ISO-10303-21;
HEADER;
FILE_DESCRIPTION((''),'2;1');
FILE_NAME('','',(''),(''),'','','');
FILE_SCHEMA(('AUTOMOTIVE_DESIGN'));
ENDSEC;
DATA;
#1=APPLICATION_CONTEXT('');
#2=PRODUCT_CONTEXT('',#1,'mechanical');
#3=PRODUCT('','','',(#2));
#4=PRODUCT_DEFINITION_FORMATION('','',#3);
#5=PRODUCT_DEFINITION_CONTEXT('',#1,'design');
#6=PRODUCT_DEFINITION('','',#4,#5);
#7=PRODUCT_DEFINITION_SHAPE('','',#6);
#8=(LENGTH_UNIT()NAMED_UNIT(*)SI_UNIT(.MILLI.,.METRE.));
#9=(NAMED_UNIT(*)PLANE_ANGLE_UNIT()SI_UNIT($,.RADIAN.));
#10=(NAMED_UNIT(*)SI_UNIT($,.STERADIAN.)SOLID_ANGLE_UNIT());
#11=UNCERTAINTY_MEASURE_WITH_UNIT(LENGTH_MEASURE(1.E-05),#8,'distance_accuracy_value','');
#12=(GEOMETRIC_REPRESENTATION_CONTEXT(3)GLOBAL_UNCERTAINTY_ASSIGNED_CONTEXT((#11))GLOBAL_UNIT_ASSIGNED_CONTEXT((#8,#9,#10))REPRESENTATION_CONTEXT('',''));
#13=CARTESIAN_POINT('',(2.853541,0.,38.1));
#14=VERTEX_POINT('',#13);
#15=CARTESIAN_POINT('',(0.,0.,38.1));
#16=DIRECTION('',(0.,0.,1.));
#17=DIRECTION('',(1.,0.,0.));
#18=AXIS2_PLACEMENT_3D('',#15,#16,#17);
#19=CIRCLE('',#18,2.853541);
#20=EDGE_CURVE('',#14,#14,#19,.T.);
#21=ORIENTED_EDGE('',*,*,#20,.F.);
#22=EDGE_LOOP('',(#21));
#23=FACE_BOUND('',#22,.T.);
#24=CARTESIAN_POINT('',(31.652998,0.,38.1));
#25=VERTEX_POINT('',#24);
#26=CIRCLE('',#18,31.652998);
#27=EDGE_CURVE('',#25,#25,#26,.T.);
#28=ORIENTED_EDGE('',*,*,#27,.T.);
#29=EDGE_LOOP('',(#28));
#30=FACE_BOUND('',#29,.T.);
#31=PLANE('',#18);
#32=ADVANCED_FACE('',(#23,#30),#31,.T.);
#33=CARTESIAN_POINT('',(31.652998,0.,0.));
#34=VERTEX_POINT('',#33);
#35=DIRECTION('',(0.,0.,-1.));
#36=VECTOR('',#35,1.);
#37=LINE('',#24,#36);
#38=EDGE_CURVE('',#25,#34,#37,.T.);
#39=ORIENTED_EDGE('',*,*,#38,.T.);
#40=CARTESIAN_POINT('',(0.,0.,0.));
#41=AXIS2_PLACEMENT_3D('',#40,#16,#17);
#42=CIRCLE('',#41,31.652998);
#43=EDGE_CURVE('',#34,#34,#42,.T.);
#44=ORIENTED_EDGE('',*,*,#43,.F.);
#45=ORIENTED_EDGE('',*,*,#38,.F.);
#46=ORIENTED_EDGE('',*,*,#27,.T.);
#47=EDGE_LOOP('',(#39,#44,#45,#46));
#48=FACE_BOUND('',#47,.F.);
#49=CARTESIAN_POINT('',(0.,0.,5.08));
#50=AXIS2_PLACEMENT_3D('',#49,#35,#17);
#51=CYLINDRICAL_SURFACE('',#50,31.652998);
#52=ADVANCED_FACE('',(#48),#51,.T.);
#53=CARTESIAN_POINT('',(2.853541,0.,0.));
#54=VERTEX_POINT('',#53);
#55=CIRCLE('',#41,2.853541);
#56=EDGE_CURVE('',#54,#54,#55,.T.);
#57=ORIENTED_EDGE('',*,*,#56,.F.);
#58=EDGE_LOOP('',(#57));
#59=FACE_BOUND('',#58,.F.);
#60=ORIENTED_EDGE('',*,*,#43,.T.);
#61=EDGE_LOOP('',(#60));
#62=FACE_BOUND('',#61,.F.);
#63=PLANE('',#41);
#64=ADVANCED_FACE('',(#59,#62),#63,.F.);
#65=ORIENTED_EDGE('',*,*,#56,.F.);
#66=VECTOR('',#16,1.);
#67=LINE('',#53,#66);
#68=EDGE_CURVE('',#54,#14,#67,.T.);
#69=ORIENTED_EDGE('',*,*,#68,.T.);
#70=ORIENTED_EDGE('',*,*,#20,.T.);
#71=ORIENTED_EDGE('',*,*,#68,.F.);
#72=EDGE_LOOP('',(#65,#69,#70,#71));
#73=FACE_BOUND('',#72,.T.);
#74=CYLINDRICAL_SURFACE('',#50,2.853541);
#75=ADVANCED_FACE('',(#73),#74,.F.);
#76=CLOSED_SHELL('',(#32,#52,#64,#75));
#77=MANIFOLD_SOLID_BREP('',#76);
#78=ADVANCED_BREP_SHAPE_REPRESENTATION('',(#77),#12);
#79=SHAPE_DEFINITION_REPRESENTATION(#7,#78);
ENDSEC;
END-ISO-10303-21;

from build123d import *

# Parameters (mm, degrees)
F0_R        = 31.6529983533
F0_R_2      = 16.2871330866
F0_R_3      = 2.853540911
F1_DEPTH    = 5.08
F2_DEPTH    = 25.4
F2_FACE_R   = 31.6529983533
F2_FACE_R_2 = 2.853540911
F3_DEPTH    = 7.62


with BuildPart() as f1:
    # F0 (on Top) → F1 (new body)
    with BuildSketch(Plane.XY):
        Circle(F0_R)
        Circle(F0_R_2, mode=Mode.SUBTRACT)
        Circle(F0_R_2)
        Circle(F0_R_3, mode=Mode.SUBTRACT)
    extrude(amount=F1_DEPTH)

    # F2 (add): a face of the model
    f2_faces = [f1.faces().sort_by_distance(p)[0] for p in [
        (-30.7577163621, 0, 5.08),
    ]]
    extrude(f2_faces, amount=F2_DEPTH)

    # F0 (on Top) + F2_face (on face) → F3 (join)
    with BuildSketch(Plane.XY):
        Circle(F0_R)
        Circle(F0_R_2, mode=Mode.SUBTRACT)
    with BuildSketch(Plane.XY.offset(30.48)):
        Circle(F2_FACE_R)
        Circle(F2_FACE_R_2, mode=Mode.SUBTRACT)
    extrude(amount=F3_DEPTH)


solid = f1.part
